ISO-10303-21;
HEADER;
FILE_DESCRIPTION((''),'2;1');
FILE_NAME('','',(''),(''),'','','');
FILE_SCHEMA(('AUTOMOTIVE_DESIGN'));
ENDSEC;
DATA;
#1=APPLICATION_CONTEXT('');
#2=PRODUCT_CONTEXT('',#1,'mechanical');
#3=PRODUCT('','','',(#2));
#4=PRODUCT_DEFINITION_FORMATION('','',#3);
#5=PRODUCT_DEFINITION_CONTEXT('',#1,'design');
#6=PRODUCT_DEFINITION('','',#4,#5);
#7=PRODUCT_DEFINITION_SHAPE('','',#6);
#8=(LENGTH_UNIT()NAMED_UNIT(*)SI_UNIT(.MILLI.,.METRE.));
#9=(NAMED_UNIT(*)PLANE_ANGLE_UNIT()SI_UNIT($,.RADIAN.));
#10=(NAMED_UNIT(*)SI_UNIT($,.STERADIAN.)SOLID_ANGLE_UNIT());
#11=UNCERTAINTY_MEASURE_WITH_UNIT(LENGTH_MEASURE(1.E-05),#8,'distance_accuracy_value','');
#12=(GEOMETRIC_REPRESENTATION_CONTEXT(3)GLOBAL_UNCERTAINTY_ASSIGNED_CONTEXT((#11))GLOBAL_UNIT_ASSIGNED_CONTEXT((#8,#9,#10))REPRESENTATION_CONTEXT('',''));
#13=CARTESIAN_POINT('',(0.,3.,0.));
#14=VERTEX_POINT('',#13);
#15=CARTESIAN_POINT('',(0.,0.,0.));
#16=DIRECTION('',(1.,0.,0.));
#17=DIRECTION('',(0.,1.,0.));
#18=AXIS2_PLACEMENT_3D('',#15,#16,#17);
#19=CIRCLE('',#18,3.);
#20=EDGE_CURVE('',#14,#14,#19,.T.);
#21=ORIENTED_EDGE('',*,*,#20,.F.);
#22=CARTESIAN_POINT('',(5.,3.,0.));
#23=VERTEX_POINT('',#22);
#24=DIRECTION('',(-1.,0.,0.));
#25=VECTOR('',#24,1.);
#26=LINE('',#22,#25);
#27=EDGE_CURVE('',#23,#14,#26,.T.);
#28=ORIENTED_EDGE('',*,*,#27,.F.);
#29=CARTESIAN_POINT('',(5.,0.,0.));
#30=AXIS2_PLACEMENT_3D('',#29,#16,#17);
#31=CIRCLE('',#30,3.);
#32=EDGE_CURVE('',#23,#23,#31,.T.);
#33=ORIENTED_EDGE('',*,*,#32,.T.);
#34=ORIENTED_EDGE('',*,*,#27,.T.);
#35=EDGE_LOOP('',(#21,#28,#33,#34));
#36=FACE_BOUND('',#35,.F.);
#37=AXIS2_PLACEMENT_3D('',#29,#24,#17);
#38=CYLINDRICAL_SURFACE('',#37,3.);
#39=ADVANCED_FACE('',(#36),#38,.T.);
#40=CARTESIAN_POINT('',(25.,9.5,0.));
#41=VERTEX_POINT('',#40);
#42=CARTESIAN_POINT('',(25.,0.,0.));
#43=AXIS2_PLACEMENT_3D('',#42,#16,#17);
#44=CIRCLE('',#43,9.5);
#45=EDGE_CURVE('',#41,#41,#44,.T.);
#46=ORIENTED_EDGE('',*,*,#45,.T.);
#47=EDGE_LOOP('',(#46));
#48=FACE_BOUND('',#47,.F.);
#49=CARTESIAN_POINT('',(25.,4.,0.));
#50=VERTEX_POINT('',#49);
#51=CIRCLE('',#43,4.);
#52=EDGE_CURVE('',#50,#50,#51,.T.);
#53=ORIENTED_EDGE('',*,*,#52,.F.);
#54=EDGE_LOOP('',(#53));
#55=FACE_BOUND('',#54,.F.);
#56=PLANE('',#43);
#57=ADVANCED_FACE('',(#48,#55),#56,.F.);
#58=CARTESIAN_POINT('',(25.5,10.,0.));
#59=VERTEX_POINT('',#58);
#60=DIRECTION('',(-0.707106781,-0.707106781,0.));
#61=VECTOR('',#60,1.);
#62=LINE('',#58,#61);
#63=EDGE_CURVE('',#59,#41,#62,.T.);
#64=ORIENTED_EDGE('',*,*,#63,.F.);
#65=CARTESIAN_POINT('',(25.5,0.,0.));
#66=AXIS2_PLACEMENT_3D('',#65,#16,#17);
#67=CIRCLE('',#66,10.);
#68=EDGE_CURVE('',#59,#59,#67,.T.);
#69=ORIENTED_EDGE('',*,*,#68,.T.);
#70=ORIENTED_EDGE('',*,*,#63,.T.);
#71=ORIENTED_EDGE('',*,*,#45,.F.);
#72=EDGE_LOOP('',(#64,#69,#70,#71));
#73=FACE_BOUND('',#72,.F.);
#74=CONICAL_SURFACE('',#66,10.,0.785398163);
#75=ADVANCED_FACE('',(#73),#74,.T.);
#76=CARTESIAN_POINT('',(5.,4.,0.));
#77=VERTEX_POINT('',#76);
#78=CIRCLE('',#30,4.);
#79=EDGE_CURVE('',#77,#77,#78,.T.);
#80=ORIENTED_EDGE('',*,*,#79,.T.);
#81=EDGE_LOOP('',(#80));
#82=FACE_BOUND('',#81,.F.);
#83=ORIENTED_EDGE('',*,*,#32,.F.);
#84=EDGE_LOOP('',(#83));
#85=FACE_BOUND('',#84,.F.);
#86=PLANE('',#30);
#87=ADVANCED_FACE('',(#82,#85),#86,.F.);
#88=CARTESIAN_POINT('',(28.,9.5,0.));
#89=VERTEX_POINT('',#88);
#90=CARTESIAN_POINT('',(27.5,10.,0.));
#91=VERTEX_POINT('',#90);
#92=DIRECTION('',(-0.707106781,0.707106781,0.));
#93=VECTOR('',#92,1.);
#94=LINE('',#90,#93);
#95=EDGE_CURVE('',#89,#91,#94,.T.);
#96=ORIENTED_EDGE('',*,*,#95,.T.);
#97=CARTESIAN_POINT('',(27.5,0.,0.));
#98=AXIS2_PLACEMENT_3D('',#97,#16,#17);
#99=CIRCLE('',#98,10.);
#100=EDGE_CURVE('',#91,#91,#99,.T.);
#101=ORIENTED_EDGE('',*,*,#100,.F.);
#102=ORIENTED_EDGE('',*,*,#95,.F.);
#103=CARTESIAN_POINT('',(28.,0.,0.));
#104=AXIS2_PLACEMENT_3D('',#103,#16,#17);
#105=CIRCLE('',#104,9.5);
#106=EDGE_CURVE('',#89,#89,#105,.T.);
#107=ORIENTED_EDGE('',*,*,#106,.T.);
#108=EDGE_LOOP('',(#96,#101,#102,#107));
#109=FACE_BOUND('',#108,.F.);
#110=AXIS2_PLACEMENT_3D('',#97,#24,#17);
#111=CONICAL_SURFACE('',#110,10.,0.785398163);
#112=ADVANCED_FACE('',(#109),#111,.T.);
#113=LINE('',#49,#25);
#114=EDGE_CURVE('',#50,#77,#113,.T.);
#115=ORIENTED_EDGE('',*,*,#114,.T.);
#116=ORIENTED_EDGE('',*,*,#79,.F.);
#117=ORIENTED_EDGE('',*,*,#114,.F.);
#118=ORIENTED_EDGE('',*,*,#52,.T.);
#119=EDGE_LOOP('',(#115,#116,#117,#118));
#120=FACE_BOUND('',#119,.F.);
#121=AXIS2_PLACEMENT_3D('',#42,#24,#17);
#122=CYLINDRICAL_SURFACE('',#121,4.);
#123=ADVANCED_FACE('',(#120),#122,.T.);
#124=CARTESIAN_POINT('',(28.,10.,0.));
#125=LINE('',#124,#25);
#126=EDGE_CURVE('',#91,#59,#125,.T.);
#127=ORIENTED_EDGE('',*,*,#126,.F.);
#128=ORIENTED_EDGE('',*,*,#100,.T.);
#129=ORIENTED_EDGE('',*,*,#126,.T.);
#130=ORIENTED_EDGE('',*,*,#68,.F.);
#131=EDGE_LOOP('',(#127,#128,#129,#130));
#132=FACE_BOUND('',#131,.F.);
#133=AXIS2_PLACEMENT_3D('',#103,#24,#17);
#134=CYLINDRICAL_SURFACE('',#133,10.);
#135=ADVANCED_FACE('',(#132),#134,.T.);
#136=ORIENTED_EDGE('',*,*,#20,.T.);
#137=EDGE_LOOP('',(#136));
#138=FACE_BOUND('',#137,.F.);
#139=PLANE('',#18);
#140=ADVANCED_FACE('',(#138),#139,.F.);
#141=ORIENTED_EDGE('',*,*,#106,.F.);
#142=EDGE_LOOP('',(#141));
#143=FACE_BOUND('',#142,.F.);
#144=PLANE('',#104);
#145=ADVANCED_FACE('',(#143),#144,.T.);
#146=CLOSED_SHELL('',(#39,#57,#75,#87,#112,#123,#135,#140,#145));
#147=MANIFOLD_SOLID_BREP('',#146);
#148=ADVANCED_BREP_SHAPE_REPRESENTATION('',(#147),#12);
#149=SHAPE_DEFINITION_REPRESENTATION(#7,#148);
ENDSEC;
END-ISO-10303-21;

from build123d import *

# Parameters (mm, degrees)
F2_SIZE = 0.5


with BuildPart() as f1:
    # F0 (on Top) → F1 (revolve)
    with BuildSketch(Plane.XY):
        Polygon((0, 3), (0, 0), (28, 0), (28, 10), (25, 10), (25, 4), (5, 4), (5, 3), align=None)
    revolve(axis=Axis((27.980929, 0, 0), (1, 0, 0)))

    # F2
    f2_edges = [f1.edges().sort_by_distance(p)[0] for p in [
        (28, -10, 0),
        (25, -10, 0),
    ]]
    chamfer(f2_edges, length=F2_SIZE)


solid = f1.part
